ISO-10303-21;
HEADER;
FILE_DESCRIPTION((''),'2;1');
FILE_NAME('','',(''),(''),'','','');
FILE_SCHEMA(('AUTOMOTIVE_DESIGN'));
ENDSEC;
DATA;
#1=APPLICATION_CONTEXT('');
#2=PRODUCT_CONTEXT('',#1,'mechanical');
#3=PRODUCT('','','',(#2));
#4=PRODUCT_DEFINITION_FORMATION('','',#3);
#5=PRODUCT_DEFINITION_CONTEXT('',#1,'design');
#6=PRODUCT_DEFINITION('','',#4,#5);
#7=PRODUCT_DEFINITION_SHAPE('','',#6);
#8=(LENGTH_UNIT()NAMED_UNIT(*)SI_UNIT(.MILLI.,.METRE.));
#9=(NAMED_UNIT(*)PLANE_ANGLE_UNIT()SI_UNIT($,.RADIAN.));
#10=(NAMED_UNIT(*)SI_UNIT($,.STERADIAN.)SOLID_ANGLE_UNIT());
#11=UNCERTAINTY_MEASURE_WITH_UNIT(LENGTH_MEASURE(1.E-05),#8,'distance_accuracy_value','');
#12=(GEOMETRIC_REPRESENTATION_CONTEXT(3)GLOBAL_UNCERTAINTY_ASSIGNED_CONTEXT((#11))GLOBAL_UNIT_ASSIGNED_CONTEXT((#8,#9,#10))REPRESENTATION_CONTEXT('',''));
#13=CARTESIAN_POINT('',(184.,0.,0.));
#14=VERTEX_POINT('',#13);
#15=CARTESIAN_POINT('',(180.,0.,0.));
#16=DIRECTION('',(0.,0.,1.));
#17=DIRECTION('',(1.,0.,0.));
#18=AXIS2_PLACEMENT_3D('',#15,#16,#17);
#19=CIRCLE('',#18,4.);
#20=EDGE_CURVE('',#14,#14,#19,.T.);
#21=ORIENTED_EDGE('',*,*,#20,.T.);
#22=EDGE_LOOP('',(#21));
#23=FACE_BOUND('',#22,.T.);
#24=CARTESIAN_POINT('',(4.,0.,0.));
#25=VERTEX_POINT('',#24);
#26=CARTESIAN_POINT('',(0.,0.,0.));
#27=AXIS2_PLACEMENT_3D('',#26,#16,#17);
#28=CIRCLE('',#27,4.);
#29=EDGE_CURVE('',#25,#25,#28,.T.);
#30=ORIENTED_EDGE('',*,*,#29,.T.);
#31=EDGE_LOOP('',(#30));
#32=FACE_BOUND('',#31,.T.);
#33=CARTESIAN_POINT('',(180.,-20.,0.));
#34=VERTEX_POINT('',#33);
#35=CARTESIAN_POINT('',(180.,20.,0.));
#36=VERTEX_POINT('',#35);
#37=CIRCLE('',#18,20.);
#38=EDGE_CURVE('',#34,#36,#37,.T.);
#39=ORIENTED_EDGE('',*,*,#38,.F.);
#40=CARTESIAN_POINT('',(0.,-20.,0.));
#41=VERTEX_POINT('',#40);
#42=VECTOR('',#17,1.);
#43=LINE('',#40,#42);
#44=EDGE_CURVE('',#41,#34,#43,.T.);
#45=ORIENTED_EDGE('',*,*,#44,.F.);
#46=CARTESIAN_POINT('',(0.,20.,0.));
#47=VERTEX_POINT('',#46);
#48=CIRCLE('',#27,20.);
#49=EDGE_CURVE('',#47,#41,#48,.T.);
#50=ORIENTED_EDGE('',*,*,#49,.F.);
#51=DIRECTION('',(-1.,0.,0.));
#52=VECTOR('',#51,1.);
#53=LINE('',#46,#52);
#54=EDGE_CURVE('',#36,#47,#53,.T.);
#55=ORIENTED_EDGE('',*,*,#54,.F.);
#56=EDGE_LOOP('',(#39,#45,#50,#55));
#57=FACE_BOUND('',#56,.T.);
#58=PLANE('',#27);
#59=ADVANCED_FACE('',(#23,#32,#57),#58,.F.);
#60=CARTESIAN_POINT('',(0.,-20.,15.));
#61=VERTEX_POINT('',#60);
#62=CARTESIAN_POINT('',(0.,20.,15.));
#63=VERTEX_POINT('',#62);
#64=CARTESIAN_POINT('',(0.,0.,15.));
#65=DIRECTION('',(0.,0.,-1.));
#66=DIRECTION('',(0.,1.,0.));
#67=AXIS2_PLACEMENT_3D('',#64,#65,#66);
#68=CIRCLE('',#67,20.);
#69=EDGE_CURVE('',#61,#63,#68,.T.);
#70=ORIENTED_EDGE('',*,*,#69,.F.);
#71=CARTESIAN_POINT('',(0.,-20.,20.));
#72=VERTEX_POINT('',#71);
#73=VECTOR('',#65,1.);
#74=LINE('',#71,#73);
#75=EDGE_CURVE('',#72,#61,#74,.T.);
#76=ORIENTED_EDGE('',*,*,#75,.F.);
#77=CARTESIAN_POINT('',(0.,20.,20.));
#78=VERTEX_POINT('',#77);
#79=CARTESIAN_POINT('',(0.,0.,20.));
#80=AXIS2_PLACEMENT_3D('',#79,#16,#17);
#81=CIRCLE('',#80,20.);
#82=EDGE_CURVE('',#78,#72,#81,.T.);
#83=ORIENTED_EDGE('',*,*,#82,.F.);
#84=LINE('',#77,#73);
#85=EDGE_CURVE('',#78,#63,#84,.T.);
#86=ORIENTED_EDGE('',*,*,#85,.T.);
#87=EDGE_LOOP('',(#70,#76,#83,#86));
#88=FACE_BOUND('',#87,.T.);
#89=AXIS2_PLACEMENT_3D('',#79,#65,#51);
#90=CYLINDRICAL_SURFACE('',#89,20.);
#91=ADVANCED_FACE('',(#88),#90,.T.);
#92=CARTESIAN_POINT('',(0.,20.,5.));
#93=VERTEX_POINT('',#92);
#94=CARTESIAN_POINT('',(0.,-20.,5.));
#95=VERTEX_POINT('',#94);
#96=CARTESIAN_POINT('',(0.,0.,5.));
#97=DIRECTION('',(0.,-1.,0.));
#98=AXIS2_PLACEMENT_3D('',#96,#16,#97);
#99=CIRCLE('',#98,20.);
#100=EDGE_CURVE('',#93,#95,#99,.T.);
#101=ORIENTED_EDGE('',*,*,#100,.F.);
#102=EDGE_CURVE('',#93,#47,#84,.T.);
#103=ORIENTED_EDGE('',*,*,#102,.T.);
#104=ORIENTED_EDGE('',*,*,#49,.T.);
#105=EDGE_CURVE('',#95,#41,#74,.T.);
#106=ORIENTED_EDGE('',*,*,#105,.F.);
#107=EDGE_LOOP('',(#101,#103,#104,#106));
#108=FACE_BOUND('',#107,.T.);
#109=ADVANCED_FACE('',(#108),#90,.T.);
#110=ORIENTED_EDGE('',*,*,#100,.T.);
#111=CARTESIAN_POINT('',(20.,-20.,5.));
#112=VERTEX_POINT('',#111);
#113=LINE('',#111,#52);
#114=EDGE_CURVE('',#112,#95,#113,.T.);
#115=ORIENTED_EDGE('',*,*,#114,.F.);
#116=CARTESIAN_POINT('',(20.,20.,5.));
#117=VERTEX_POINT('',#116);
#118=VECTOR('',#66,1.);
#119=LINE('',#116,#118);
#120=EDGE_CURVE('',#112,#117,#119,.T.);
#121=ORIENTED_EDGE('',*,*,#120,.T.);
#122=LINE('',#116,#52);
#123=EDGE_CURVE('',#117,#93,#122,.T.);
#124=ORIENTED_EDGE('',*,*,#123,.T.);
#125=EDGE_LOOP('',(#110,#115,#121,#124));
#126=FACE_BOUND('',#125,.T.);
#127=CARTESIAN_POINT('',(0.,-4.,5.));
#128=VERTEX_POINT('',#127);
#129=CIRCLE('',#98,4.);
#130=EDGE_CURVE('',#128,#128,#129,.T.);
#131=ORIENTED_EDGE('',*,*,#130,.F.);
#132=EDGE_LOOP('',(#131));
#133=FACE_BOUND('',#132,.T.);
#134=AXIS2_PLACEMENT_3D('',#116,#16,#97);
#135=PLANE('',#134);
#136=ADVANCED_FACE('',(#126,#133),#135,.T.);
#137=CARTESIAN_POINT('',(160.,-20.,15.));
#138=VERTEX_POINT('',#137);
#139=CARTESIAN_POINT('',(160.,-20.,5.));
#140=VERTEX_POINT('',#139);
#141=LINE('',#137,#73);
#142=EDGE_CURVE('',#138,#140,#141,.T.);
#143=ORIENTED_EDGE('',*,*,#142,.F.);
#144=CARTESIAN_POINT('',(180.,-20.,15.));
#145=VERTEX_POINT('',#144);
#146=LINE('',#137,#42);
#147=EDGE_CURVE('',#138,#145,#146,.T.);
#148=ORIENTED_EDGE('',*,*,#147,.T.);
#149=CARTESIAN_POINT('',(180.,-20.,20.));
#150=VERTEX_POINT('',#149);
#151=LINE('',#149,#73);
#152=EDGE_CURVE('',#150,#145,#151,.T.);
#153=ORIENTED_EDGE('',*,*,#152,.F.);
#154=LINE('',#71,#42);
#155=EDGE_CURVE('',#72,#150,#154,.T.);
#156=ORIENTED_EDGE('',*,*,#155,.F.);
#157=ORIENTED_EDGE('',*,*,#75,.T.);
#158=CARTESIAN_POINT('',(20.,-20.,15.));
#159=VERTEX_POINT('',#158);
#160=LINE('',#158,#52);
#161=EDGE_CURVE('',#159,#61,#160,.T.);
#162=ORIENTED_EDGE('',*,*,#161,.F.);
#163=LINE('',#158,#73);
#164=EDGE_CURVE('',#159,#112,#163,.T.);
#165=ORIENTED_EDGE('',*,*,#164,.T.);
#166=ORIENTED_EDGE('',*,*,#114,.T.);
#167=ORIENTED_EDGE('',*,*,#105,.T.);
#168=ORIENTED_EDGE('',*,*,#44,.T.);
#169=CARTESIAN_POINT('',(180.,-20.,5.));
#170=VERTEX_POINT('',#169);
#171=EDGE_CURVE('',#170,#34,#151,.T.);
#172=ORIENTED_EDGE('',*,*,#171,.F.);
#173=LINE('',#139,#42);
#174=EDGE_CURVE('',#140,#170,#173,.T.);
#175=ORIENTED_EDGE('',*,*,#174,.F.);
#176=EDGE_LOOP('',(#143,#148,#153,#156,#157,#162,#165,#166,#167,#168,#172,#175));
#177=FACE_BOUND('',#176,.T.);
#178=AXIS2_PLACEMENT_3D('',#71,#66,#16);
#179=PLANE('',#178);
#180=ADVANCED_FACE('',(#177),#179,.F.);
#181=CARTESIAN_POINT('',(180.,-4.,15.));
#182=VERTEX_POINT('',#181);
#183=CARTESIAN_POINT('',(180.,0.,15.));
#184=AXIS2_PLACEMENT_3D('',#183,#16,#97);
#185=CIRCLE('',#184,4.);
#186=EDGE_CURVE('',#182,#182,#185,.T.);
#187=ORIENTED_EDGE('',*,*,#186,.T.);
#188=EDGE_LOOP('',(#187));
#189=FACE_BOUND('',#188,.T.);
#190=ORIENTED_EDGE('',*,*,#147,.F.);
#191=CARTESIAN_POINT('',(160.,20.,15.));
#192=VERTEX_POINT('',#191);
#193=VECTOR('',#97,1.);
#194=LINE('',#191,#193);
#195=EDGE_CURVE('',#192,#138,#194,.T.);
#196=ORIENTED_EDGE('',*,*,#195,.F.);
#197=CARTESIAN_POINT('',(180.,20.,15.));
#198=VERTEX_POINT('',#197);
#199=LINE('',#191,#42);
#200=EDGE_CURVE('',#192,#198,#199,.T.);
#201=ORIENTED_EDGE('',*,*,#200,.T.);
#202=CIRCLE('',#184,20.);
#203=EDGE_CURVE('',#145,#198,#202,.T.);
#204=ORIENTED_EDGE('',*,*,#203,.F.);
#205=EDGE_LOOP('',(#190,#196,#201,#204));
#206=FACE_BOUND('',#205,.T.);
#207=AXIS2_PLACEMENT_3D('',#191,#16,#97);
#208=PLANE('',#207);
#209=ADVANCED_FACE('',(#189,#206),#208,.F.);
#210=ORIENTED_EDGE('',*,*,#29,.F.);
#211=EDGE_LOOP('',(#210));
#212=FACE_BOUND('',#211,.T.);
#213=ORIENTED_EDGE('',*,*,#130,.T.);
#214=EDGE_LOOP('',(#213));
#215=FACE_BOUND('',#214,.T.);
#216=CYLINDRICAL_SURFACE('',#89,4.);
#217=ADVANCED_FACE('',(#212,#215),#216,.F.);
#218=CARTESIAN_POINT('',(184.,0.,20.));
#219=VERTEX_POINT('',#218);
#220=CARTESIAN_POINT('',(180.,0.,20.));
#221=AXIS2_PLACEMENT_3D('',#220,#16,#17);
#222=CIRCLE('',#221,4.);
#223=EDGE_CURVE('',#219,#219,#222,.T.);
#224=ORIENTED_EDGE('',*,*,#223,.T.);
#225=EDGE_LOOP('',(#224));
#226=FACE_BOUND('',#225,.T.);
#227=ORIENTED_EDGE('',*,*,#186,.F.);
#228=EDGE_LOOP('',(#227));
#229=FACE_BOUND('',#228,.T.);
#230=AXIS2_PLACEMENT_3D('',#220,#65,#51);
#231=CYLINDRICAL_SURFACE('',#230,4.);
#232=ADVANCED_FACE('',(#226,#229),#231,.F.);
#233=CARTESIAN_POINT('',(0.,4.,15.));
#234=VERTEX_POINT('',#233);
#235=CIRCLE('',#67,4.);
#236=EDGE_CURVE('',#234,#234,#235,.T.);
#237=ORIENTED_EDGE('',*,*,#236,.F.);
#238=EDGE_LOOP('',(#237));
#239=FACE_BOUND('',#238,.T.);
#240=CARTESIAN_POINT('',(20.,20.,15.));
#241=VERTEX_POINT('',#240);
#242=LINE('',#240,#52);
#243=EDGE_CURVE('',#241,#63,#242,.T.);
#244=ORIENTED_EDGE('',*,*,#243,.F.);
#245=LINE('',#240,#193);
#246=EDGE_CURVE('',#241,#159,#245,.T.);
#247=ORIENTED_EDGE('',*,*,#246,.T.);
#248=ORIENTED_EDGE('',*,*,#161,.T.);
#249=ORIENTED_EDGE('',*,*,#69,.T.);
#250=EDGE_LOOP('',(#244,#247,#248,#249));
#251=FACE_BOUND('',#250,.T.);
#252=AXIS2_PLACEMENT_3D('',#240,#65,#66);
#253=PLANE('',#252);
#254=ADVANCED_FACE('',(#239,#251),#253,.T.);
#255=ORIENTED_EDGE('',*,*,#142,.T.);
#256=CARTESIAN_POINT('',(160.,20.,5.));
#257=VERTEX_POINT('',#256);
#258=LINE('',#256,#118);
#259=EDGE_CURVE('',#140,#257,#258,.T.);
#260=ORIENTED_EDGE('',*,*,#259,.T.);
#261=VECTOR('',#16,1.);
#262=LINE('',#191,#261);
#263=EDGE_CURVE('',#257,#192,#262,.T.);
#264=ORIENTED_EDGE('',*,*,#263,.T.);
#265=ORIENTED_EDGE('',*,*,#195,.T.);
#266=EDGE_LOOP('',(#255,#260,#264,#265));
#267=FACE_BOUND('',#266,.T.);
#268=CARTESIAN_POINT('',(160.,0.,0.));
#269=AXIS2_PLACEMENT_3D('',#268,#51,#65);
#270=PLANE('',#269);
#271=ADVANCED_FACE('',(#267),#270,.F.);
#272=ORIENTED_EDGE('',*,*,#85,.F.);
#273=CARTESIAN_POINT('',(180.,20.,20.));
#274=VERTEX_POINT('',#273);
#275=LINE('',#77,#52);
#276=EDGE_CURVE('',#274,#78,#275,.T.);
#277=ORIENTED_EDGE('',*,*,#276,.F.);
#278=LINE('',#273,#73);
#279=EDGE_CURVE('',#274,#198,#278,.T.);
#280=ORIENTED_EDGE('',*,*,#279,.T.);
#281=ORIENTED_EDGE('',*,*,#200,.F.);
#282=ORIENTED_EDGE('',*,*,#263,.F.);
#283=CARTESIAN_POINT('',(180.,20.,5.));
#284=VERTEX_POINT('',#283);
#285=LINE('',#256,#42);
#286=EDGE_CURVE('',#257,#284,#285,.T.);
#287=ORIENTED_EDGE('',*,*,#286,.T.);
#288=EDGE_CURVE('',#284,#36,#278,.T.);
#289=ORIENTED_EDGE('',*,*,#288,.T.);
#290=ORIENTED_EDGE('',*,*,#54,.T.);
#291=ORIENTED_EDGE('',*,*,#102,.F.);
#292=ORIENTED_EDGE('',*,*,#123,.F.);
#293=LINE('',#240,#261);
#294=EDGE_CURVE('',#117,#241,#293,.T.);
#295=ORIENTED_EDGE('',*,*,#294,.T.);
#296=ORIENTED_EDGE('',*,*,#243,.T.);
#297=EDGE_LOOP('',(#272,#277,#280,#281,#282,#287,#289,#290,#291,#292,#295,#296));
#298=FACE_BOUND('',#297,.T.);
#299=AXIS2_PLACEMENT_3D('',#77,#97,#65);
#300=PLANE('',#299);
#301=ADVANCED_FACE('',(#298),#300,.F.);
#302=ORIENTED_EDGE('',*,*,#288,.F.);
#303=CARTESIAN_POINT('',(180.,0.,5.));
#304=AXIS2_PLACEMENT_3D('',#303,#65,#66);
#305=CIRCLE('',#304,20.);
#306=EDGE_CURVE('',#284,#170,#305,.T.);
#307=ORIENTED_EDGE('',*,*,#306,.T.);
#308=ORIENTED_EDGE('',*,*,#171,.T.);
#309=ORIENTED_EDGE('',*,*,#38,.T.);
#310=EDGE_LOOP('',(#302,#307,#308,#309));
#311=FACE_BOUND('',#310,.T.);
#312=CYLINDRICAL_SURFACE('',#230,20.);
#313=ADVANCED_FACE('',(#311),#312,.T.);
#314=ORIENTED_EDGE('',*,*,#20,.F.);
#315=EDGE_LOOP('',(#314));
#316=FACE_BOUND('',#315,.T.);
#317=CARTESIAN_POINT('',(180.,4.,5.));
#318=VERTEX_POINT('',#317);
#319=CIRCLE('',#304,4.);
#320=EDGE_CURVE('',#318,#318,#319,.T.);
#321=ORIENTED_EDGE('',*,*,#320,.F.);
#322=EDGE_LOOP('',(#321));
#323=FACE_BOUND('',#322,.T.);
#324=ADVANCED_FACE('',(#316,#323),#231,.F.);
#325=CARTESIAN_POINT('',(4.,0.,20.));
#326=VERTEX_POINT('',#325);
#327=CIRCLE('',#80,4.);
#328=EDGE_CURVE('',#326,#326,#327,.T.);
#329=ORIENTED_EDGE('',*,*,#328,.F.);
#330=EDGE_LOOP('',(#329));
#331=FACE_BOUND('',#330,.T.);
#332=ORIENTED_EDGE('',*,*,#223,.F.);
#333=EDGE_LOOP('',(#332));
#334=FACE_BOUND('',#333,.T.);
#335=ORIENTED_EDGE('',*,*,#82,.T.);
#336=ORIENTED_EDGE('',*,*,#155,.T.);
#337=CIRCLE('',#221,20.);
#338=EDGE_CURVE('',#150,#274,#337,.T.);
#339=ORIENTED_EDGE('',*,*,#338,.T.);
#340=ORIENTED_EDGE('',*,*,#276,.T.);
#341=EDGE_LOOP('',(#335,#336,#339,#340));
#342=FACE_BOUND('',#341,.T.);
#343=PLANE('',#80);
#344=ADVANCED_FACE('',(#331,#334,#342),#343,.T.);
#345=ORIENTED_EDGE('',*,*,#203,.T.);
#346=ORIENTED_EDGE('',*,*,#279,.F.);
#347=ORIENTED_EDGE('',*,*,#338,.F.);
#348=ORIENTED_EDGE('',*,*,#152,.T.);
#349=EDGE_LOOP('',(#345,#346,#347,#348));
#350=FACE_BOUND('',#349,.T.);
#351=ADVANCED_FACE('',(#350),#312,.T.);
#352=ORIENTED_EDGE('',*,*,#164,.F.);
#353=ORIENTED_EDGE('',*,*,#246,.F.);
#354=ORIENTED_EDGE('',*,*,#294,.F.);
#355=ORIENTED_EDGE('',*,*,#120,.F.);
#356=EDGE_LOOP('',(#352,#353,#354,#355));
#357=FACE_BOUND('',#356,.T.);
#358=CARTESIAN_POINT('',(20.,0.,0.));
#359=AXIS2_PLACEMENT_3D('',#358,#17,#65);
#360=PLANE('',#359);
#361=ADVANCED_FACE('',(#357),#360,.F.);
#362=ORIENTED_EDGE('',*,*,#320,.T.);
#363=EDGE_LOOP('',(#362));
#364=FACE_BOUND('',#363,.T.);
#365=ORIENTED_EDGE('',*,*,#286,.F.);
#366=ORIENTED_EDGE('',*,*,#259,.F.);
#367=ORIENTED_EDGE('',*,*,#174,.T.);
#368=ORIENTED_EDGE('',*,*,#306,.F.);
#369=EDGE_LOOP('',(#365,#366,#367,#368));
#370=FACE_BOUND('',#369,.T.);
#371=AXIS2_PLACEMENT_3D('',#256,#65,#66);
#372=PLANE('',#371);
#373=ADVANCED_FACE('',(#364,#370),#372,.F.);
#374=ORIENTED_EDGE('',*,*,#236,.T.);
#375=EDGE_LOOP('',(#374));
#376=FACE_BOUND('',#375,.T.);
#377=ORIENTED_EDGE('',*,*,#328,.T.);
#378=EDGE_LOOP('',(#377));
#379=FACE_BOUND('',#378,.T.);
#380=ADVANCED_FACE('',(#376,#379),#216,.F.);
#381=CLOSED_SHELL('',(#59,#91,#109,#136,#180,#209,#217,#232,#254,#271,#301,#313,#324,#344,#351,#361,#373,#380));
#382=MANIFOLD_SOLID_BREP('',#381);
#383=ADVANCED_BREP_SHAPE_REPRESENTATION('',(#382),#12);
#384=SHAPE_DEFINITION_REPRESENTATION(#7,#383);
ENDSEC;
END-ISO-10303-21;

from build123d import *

# Parameters (mm, degrees)
ESQUISSE1_R             = 4
BOSS_EXTRU_1_DEPTH      = 20
ESQUISSE2_W             = 10
ESQUISSE2_H             = 40
ENL_V_MAT_EXTRU_1_DEPTH = 20


with BuildPart() as part:
    # Esquisse1 → Boss.-Extru.1 (new body)
    with BuildSketch(Plane.XY):
        with BuildLine():
            Line((0, 20), (180, 20))
            ThreePointArc((180, 20), (200, 0), (180, -20))
            Line((180, -20), (0, -20))
            ThreePointArc((0, -20), (-20, 0), (0, 20))
        make_face()
        Circle(ESQUISSE1_R, mode=Mode.SUBTRACT)
        with Locations((180, 0)):
            Circle(ESQUISSE1_R, mode=Mode.SUBTRACT)
    extrude(amount=BOSS_EXTRU_1_DEPTH)

    # Esquisse2 → Enlèv. mat.-Extru.1 (cut, symmetric)
    with BuildSketch(Plane(origin=(0, 0, 0), x_dir=(0, 0, -1), z_dir=(1, 0, 0))):
        with Locations((-10, 0)):
            Rectangle(ESQUISSE2_W, ESQUISSE2_H)
    enl_v_mat_extru_1 = extrude(amount=ENL_V_MAT_EXTRU_1_DEPTH, both=True, mode=Mode.SUBTRACT)

    # Symétrie1: Enlèv. mat.-Extru.1 across plane
    add(enl_v_mat_extru_1.mirror(Plane(origin=(90, 0, 0), x_dir=(0, 0, 1), z_dir=(1, 0, 0))), mode=Mode.SUBTRACT)


solid = part.part
